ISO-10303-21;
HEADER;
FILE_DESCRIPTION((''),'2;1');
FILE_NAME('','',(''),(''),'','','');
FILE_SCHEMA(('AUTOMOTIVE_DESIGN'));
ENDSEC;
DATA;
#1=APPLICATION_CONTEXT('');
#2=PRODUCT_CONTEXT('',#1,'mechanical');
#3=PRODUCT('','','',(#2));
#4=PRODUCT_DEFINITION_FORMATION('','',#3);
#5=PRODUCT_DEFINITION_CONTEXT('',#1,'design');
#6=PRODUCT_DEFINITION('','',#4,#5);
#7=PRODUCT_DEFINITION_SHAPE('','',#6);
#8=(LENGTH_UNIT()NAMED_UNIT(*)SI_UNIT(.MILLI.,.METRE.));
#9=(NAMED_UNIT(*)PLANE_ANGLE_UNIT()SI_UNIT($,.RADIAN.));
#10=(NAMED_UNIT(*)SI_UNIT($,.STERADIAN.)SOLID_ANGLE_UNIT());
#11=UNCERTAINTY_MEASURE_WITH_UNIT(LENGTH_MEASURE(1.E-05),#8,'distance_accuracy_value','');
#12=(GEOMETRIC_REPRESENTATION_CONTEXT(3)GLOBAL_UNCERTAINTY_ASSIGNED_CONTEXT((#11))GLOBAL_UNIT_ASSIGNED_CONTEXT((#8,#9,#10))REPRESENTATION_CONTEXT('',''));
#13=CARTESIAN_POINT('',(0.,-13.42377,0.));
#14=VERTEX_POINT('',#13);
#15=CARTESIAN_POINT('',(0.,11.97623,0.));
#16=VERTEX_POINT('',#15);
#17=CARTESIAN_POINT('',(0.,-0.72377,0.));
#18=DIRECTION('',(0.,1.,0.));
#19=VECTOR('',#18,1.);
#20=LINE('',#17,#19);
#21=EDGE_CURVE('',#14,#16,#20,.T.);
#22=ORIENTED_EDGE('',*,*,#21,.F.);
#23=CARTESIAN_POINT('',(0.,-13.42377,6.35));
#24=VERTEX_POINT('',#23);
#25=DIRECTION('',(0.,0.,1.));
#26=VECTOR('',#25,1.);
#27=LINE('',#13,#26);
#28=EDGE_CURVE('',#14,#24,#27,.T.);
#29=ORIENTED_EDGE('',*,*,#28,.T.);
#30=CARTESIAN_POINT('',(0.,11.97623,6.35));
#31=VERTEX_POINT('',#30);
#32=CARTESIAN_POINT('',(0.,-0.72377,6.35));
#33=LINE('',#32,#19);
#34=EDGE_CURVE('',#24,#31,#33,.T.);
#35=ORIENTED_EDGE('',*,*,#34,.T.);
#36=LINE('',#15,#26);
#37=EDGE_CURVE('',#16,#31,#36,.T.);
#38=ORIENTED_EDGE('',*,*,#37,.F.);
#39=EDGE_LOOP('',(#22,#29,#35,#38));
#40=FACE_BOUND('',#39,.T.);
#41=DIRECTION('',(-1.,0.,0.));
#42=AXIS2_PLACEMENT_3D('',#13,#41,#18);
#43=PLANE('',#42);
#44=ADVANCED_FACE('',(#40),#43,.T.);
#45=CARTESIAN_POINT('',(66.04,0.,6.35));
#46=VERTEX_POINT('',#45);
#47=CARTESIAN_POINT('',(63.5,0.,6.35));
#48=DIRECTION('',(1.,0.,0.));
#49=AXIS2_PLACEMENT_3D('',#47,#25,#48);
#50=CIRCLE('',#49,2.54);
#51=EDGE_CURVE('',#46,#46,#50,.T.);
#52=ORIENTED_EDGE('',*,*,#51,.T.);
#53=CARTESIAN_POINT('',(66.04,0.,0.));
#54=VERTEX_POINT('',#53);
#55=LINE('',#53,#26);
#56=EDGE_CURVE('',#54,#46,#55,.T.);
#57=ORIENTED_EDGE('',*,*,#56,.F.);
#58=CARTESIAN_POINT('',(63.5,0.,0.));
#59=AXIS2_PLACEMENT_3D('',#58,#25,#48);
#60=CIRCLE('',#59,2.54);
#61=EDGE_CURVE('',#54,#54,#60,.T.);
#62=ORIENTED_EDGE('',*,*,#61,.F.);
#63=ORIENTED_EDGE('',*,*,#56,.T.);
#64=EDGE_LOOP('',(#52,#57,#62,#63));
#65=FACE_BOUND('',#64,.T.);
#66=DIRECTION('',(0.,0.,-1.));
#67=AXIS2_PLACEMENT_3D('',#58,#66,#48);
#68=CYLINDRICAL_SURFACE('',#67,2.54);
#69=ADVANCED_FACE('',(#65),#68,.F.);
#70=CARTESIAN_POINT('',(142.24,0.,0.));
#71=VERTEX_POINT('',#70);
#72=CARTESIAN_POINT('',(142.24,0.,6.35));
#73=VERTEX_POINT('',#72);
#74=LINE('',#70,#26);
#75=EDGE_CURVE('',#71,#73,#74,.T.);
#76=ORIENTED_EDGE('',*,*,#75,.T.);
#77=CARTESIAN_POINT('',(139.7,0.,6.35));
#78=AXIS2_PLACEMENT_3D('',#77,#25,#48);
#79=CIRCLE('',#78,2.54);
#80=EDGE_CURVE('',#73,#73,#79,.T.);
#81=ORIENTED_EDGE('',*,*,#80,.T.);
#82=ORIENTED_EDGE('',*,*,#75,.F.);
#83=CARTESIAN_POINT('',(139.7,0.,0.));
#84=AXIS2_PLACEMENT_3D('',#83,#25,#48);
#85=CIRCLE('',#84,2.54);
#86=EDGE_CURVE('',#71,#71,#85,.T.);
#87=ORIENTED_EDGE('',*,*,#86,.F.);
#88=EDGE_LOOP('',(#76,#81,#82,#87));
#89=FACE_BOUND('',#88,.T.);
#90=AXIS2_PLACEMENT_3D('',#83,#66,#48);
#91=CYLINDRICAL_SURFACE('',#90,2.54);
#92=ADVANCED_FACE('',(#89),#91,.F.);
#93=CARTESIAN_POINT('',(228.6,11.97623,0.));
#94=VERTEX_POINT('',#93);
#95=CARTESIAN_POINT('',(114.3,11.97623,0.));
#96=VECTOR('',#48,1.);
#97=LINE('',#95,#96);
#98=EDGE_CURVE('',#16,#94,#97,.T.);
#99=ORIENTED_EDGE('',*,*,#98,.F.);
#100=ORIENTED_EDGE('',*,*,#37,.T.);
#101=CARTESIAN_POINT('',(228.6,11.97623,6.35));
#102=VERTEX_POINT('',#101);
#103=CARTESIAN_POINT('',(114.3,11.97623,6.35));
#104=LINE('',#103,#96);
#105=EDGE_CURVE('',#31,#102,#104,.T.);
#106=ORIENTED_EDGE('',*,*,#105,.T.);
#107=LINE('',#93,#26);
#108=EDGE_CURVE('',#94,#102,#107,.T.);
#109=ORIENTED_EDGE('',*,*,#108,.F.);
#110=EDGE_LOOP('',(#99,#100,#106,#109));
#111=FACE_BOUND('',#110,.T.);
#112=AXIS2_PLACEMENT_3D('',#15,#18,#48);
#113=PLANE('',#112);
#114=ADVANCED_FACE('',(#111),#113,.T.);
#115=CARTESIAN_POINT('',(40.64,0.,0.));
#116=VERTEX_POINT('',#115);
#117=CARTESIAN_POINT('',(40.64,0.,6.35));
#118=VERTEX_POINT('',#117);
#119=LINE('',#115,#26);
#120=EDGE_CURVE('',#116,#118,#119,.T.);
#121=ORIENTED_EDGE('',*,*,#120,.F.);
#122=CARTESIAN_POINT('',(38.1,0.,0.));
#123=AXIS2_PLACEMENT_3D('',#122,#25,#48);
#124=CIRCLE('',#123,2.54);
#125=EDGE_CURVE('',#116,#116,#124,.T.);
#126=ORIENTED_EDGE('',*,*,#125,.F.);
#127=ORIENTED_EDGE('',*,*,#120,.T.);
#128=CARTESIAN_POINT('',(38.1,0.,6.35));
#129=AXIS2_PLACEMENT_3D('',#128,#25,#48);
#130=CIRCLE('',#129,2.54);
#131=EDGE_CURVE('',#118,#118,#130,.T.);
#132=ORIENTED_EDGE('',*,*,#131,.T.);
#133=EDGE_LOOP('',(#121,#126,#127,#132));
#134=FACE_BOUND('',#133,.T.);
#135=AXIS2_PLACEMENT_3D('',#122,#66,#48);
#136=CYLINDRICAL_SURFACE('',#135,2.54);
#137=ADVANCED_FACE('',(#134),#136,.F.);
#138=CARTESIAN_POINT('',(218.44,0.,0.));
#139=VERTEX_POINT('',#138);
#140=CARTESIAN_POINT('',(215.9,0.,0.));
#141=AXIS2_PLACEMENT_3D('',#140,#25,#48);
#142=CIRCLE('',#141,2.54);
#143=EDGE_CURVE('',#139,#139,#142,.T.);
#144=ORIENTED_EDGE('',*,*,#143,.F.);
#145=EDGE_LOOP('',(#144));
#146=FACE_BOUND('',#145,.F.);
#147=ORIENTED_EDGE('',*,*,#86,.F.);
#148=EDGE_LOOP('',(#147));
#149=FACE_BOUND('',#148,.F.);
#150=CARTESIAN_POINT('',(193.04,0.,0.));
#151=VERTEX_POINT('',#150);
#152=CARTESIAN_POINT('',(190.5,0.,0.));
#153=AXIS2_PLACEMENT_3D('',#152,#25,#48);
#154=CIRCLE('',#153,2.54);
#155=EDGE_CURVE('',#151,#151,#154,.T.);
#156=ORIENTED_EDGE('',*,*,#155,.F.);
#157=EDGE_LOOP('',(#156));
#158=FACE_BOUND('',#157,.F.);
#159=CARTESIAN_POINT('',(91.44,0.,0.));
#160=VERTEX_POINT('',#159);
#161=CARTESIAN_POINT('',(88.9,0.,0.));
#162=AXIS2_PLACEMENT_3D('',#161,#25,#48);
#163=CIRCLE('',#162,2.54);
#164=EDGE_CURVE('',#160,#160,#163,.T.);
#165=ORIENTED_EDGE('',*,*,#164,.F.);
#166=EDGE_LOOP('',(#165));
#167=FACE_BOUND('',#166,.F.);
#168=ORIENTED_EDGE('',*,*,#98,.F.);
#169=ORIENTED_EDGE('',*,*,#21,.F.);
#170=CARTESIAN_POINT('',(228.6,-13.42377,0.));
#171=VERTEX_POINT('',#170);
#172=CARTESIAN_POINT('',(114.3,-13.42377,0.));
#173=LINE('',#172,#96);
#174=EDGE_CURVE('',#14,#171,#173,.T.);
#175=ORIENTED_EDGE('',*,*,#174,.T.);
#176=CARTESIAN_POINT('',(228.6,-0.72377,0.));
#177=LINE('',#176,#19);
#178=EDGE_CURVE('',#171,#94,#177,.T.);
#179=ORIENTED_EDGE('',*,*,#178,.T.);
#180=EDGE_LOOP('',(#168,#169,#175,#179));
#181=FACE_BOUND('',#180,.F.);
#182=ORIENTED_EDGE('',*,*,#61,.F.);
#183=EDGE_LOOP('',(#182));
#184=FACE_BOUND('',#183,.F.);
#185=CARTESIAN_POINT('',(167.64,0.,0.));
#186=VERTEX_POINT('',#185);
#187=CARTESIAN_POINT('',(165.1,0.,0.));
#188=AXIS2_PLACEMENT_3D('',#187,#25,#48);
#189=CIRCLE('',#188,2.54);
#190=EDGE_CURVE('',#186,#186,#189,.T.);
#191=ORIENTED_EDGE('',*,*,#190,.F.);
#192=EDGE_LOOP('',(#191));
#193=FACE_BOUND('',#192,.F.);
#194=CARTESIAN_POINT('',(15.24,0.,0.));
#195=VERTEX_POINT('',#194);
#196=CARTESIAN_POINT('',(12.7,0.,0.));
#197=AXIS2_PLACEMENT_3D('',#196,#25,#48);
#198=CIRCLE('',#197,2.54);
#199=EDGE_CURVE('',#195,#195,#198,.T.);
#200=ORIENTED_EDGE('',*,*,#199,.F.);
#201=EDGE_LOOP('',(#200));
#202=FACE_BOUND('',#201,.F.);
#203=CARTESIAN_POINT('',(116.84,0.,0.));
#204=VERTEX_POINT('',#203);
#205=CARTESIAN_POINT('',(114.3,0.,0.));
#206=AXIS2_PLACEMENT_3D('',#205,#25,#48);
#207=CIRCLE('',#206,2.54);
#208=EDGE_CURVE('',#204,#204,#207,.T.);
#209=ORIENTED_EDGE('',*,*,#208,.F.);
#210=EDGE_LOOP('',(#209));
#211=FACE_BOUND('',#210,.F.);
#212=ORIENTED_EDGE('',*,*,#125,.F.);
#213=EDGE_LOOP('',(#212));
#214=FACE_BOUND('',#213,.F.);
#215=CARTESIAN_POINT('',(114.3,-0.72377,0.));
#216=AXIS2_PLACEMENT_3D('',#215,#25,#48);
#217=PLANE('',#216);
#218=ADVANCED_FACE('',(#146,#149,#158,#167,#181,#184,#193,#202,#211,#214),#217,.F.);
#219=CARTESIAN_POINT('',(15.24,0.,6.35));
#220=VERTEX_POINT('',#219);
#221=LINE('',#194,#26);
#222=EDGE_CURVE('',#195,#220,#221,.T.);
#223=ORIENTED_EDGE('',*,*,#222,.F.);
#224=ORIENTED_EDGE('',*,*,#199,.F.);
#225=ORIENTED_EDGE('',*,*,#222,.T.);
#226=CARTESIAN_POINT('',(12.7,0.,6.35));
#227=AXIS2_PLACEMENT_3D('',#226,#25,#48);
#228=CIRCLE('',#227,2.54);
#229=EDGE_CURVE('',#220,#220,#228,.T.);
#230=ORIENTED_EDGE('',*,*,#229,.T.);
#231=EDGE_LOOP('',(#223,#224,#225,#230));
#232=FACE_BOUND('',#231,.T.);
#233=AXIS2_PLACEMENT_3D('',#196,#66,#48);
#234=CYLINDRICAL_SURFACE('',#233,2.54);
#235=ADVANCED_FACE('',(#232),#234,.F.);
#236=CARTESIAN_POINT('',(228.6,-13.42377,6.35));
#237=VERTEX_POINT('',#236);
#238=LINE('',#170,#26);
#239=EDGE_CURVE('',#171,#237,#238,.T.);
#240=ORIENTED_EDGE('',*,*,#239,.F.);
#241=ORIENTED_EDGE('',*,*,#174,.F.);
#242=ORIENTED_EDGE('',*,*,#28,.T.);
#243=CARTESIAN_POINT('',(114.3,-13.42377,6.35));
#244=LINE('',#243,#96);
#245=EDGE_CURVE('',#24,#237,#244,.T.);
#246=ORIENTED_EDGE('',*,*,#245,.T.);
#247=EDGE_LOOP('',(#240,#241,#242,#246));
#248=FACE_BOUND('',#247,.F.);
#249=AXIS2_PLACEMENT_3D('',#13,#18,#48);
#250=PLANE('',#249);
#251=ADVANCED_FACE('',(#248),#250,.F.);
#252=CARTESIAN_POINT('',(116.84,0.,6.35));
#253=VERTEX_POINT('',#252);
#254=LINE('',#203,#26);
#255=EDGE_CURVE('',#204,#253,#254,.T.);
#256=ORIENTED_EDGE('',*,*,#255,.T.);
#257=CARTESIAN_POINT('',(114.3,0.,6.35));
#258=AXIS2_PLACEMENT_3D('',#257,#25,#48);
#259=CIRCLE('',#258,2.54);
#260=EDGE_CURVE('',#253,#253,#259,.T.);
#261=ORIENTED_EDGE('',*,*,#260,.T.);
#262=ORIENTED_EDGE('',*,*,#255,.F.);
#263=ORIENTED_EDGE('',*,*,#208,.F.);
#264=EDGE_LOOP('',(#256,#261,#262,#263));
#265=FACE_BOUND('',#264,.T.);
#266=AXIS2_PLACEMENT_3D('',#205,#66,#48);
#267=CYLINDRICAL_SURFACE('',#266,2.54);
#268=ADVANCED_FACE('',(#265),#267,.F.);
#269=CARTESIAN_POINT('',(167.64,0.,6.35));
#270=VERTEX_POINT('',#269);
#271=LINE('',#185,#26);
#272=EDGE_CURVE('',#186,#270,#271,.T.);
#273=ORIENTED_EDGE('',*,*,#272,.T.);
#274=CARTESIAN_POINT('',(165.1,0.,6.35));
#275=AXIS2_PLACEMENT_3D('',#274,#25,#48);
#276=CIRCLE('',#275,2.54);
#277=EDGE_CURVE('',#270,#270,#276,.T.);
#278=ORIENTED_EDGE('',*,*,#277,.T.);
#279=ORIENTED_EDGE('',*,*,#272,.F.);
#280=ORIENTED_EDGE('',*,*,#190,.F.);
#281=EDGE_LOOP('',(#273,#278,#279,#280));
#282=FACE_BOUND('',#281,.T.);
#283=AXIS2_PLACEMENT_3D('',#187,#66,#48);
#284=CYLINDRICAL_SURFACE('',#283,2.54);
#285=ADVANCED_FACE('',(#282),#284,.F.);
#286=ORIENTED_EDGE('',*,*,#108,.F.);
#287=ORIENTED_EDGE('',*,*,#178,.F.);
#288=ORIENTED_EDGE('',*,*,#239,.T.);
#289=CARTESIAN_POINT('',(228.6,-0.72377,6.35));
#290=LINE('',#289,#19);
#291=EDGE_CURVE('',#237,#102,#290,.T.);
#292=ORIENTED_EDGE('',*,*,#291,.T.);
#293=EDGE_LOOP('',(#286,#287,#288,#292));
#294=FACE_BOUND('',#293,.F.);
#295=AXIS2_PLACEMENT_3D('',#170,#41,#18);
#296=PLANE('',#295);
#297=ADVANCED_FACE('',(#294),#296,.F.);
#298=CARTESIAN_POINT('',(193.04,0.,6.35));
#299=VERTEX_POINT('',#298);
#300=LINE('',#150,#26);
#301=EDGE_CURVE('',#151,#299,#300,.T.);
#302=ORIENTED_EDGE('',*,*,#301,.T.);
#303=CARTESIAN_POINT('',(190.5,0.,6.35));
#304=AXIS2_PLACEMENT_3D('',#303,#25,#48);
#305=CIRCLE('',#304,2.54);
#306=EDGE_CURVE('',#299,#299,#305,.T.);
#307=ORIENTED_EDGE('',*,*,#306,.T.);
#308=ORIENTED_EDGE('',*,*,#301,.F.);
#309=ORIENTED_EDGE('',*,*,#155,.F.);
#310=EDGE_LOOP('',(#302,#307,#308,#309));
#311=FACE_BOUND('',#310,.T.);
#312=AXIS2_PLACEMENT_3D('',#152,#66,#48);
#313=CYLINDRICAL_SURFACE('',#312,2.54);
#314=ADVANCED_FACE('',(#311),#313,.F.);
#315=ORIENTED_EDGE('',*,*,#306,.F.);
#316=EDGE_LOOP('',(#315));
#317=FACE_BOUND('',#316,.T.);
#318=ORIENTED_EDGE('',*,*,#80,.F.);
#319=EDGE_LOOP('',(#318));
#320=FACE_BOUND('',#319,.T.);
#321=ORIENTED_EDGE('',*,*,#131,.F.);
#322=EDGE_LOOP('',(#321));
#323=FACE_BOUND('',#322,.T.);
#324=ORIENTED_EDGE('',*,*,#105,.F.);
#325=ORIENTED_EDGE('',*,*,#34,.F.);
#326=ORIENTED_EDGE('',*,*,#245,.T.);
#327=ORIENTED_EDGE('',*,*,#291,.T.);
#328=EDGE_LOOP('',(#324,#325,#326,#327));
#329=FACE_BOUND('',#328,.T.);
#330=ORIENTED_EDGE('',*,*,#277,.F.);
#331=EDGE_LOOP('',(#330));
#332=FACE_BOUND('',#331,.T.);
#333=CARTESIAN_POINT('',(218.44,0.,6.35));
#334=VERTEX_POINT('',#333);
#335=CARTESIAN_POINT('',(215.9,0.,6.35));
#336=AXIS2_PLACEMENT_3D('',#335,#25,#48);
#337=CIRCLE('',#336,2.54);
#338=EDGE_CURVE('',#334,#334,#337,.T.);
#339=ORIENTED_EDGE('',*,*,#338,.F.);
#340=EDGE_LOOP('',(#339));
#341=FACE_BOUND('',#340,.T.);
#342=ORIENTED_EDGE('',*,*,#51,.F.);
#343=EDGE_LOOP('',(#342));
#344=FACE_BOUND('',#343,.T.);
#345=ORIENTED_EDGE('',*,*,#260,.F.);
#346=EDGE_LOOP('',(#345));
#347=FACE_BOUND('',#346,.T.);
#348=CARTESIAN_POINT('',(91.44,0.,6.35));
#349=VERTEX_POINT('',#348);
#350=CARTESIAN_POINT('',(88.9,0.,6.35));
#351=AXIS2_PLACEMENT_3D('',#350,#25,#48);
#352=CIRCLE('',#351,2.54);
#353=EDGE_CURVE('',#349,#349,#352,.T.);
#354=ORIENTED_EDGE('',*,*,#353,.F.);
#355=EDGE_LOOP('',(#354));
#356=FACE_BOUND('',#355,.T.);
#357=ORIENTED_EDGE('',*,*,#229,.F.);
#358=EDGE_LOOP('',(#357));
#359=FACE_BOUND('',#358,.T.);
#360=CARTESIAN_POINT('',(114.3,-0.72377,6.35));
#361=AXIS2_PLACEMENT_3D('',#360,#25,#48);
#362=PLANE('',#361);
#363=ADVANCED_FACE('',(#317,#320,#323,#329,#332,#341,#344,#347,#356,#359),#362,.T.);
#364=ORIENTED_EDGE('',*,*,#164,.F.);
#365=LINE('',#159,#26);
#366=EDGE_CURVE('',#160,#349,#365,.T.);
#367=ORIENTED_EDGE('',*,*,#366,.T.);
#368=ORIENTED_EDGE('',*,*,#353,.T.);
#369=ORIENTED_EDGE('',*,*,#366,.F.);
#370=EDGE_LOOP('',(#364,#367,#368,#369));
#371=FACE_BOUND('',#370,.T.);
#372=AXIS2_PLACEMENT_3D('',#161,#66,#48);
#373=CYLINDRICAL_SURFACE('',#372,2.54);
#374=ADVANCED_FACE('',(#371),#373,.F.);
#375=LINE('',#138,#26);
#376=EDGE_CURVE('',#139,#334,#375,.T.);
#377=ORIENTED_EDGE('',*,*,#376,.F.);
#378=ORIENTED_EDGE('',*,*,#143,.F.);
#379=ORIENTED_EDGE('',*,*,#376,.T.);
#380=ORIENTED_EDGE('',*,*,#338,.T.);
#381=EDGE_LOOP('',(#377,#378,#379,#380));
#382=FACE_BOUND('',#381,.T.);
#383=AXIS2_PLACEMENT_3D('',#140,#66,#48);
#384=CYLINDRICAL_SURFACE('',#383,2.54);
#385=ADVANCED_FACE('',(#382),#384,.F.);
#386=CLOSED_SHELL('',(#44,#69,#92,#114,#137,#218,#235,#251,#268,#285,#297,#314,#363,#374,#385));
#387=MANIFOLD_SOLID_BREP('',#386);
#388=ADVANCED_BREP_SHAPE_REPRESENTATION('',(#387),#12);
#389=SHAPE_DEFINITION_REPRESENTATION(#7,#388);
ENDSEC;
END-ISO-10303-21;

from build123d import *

# Parameters (mm, degrees)
F0_W     = 228.6
F0_H     = 25.4
F0_R     = 2.54
F1_DEPTH = 6.35


with BuildPart() as f1:
    # F0 (on Top) → F1 (new body)
    with BuildSketch(Plane.XY):
        with Locations((114.3, -0.72377)):
            Rectangle(F0_W, F0_H)
        with Locations((12.7, 0)):
            Circle(F0_R, mode=Mode.SUBTRACT)
        with Locations((38.1, 0)):
            Circle(F0_R, mode=Mode.SUBTRACT)
        with Locations((63.5, 0)):
            Circle(F0_R, mode=Mode.SUBTRACT)
        with Locations((88.9, 0)):
            Circle(F0_R, mode=Mode.SUBTRACT)
        with Locations((114.3, 0)):
            Circle(F0_R, mode=Mode.SUBTRACT)
        with Locations((139.7, 0)):
            Circle(F0_R, mode=Mode.SUBTRACT)
        with Locations((165.1, 0)):
            Circle(F0_R, mode=Mode.SUBTRACT)
        with Locations((190.5, 0)):
            Circle(F0_R, mode=Mode.SUBTRACT)
        with Locations((215.9, 0)):
            Circle(F0_R, mode=Mode.SUBTRACT)
    extrude(amount=F1_DEPTH)


solid = f1.part
